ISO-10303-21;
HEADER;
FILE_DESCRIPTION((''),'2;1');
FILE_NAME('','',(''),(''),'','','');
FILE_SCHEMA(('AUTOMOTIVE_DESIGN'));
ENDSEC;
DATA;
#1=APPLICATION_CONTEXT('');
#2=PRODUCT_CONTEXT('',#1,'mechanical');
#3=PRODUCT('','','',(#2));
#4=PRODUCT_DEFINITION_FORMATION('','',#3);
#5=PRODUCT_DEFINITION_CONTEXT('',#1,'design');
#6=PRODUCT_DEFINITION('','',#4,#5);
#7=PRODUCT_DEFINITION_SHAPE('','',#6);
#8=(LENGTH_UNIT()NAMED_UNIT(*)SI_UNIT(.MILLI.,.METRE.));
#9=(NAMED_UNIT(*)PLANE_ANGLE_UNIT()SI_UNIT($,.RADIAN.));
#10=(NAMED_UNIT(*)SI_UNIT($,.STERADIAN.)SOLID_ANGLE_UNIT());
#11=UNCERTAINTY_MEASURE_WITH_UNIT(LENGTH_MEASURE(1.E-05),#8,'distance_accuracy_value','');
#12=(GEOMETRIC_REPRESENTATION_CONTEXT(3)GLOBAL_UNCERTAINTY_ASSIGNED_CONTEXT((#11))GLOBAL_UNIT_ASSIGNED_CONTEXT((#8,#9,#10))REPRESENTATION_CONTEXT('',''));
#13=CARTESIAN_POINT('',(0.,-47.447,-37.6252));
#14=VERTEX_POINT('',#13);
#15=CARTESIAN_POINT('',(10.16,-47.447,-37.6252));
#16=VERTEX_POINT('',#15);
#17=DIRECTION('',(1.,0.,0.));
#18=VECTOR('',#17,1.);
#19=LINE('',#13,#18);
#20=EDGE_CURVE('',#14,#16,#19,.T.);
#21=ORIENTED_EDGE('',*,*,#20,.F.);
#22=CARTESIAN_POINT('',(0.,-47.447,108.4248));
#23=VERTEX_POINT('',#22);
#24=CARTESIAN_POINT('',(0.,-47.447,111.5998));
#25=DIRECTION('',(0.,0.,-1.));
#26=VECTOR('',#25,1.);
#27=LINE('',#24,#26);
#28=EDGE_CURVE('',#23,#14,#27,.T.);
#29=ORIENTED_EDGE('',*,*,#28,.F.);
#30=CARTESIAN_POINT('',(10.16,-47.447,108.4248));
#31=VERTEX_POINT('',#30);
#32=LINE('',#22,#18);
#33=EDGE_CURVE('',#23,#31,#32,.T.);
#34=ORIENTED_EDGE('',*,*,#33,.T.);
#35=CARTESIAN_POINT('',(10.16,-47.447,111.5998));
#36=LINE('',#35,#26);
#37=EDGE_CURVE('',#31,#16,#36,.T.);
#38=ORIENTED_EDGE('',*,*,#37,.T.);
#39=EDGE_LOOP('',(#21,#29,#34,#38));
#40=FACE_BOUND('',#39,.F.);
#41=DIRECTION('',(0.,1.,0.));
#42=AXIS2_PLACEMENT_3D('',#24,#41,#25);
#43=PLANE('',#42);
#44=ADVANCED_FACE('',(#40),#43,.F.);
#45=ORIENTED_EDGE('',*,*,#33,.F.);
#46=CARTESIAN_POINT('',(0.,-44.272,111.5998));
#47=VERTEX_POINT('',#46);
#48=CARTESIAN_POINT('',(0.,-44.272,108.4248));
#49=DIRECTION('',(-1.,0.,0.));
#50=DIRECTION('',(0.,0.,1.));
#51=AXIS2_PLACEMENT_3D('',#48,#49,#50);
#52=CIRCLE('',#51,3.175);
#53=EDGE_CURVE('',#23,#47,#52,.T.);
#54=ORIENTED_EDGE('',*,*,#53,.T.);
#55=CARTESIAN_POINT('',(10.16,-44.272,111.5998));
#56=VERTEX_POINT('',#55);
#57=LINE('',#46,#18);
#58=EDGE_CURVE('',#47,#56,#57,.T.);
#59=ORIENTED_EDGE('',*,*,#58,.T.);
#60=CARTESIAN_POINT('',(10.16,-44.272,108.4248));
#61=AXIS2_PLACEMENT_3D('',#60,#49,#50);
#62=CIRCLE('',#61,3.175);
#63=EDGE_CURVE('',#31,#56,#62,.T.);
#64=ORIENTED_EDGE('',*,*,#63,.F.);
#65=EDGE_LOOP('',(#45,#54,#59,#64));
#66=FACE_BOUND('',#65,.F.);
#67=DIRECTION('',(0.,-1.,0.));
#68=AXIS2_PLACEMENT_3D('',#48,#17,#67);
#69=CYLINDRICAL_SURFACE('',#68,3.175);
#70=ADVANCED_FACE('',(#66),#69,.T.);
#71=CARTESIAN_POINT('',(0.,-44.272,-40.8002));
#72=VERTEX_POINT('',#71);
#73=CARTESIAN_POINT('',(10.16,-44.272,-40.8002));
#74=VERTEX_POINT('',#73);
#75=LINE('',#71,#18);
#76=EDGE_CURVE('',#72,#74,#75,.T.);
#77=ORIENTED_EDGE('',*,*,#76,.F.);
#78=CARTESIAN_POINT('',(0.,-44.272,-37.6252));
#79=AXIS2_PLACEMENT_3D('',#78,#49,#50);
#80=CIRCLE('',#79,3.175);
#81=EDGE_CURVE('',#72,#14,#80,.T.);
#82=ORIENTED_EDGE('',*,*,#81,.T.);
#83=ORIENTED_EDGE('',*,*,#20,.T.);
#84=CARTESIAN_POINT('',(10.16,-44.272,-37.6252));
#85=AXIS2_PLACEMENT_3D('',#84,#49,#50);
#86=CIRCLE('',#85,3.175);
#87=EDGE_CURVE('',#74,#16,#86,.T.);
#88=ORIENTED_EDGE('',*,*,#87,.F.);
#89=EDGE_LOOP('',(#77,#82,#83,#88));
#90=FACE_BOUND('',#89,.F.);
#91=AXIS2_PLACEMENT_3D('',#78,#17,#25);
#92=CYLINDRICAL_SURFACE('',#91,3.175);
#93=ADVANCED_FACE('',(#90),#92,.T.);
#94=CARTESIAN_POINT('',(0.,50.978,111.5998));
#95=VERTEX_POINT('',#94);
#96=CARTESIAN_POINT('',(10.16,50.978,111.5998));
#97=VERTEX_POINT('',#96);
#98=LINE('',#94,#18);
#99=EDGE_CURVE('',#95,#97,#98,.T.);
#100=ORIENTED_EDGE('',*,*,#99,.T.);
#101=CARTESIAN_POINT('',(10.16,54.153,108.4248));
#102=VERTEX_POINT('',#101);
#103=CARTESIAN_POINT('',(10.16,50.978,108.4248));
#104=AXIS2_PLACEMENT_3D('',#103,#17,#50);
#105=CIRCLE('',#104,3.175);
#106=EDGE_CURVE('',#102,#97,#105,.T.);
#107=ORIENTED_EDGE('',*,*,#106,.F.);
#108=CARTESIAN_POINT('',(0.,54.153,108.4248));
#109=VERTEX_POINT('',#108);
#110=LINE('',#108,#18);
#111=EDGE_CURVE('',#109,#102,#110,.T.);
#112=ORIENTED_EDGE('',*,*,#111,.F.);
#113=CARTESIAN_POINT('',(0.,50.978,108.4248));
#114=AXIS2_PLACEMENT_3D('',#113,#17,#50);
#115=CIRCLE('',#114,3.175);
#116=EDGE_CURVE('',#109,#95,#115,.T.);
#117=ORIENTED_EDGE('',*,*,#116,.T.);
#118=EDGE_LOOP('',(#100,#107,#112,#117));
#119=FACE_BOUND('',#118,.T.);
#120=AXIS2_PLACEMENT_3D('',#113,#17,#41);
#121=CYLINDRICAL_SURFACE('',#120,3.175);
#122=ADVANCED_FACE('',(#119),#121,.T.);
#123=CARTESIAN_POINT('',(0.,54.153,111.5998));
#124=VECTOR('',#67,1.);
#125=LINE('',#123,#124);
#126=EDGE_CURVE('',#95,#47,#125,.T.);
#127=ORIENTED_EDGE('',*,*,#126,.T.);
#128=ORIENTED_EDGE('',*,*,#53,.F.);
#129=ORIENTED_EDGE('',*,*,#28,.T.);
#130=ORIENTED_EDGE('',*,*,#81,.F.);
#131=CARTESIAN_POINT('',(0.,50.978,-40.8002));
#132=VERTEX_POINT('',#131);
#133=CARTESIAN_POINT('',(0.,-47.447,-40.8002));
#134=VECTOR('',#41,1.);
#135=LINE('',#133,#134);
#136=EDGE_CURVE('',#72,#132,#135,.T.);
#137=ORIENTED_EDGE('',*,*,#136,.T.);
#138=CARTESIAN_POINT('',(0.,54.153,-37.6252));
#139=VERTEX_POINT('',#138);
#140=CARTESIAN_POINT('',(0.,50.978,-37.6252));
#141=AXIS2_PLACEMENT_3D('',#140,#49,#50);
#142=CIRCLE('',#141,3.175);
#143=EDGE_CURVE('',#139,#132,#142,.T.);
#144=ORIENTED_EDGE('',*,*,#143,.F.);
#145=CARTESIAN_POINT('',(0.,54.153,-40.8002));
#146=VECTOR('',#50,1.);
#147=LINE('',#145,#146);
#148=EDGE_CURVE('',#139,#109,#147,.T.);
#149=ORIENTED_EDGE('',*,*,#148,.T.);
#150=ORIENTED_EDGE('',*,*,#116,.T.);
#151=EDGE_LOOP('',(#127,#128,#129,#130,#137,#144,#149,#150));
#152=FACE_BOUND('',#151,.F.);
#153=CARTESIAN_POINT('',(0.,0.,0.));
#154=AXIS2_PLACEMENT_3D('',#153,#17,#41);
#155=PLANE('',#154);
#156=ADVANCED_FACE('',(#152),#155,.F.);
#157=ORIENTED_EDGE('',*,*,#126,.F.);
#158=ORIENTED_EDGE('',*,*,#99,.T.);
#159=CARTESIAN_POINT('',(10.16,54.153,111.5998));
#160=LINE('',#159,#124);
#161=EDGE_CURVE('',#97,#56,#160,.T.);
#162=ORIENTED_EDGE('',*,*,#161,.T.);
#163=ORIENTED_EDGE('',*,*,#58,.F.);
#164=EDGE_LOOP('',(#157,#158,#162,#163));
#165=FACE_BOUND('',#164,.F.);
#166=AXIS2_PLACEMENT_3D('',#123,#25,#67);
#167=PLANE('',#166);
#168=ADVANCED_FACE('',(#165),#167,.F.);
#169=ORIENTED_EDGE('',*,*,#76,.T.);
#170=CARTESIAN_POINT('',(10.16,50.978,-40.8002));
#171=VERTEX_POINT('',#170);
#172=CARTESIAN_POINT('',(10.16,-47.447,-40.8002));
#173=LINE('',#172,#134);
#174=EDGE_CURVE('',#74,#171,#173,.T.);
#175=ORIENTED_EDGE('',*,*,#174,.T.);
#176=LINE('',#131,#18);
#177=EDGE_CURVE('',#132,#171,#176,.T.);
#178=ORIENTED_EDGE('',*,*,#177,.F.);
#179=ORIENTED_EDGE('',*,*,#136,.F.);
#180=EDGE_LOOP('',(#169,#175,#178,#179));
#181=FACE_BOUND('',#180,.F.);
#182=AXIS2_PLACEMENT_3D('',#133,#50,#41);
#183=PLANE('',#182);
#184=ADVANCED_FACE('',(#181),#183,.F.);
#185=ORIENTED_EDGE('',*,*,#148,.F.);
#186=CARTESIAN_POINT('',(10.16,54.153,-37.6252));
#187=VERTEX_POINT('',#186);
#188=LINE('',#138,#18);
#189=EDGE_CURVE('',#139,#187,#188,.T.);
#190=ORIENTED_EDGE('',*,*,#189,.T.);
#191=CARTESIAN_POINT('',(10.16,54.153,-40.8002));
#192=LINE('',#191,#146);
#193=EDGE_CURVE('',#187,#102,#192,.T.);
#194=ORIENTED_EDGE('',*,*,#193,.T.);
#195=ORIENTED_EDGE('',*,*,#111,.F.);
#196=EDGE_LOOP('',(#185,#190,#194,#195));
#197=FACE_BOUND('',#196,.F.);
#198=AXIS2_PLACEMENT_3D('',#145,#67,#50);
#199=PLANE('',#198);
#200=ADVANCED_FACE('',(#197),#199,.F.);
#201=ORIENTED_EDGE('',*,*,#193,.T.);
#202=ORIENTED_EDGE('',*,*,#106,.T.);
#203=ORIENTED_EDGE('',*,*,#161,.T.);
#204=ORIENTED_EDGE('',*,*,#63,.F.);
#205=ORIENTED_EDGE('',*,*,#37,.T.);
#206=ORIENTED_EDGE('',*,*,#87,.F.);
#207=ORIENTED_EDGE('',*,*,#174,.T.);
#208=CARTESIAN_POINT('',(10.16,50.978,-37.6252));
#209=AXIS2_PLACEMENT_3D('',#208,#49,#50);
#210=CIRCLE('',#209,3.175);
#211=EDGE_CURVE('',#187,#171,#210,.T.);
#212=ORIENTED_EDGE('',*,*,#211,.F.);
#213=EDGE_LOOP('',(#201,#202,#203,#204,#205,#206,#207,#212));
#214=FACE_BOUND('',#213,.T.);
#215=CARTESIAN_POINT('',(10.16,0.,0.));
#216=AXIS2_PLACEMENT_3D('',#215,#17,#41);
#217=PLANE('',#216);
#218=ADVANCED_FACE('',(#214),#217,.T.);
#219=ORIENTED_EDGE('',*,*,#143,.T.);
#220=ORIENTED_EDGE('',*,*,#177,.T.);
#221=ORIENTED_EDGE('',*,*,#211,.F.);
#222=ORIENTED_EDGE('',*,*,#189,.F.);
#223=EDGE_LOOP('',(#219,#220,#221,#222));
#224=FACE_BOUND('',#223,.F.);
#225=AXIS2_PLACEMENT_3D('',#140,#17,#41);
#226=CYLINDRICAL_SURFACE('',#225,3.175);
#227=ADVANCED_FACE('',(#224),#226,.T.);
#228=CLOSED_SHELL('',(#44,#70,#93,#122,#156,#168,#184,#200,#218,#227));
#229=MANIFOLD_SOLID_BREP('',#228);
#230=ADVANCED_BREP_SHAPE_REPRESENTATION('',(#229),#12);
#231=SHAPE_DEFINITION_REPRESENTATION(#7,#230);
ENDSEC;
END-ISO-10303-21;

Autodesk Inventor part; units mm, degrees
ref_plane "YZ Plane" through (0, 0, 0) normal (1, 0, 0) x (0, 1, 0)
ref_plane "XZ Plane" through (0, 0, 0) normal (0, 1, 0) x (-1, 0, 0)
ref_plane "XY Plane" through (0, 0, 0) normal (0, 0, 1) x (1, 0, 0)
sketch "Sketch1" plane through (0, 0, 0) normal (1, 0, 0) x (0, 1, 0)
  line L0 (54.153, 111.5998) -> (-47.447, 111.5998)
  line L1 (-47.447, 111.5998) -> (-47.447, -40.8002)
  line L2 (-47.447, -40.8002) -> (54.153, -40.8002)
  line L3 (54.153, -40.8002) -> (54.153, 111.5998)
  point P0 (0, 0)
  dimension "d0" = 152.4
  dimension "d1" = 101.6
extrude "Extrusion1" add sketch "Sketch1" along normal blind 10.16
fillet "Fillet1" radius 3.175 4 edges at (5.08, 54.153, 111.5998) (5.08, 54.153, -40.8002) (5.08, -47.447, -40.8002) (5.08, -47.447, 111.5998)
